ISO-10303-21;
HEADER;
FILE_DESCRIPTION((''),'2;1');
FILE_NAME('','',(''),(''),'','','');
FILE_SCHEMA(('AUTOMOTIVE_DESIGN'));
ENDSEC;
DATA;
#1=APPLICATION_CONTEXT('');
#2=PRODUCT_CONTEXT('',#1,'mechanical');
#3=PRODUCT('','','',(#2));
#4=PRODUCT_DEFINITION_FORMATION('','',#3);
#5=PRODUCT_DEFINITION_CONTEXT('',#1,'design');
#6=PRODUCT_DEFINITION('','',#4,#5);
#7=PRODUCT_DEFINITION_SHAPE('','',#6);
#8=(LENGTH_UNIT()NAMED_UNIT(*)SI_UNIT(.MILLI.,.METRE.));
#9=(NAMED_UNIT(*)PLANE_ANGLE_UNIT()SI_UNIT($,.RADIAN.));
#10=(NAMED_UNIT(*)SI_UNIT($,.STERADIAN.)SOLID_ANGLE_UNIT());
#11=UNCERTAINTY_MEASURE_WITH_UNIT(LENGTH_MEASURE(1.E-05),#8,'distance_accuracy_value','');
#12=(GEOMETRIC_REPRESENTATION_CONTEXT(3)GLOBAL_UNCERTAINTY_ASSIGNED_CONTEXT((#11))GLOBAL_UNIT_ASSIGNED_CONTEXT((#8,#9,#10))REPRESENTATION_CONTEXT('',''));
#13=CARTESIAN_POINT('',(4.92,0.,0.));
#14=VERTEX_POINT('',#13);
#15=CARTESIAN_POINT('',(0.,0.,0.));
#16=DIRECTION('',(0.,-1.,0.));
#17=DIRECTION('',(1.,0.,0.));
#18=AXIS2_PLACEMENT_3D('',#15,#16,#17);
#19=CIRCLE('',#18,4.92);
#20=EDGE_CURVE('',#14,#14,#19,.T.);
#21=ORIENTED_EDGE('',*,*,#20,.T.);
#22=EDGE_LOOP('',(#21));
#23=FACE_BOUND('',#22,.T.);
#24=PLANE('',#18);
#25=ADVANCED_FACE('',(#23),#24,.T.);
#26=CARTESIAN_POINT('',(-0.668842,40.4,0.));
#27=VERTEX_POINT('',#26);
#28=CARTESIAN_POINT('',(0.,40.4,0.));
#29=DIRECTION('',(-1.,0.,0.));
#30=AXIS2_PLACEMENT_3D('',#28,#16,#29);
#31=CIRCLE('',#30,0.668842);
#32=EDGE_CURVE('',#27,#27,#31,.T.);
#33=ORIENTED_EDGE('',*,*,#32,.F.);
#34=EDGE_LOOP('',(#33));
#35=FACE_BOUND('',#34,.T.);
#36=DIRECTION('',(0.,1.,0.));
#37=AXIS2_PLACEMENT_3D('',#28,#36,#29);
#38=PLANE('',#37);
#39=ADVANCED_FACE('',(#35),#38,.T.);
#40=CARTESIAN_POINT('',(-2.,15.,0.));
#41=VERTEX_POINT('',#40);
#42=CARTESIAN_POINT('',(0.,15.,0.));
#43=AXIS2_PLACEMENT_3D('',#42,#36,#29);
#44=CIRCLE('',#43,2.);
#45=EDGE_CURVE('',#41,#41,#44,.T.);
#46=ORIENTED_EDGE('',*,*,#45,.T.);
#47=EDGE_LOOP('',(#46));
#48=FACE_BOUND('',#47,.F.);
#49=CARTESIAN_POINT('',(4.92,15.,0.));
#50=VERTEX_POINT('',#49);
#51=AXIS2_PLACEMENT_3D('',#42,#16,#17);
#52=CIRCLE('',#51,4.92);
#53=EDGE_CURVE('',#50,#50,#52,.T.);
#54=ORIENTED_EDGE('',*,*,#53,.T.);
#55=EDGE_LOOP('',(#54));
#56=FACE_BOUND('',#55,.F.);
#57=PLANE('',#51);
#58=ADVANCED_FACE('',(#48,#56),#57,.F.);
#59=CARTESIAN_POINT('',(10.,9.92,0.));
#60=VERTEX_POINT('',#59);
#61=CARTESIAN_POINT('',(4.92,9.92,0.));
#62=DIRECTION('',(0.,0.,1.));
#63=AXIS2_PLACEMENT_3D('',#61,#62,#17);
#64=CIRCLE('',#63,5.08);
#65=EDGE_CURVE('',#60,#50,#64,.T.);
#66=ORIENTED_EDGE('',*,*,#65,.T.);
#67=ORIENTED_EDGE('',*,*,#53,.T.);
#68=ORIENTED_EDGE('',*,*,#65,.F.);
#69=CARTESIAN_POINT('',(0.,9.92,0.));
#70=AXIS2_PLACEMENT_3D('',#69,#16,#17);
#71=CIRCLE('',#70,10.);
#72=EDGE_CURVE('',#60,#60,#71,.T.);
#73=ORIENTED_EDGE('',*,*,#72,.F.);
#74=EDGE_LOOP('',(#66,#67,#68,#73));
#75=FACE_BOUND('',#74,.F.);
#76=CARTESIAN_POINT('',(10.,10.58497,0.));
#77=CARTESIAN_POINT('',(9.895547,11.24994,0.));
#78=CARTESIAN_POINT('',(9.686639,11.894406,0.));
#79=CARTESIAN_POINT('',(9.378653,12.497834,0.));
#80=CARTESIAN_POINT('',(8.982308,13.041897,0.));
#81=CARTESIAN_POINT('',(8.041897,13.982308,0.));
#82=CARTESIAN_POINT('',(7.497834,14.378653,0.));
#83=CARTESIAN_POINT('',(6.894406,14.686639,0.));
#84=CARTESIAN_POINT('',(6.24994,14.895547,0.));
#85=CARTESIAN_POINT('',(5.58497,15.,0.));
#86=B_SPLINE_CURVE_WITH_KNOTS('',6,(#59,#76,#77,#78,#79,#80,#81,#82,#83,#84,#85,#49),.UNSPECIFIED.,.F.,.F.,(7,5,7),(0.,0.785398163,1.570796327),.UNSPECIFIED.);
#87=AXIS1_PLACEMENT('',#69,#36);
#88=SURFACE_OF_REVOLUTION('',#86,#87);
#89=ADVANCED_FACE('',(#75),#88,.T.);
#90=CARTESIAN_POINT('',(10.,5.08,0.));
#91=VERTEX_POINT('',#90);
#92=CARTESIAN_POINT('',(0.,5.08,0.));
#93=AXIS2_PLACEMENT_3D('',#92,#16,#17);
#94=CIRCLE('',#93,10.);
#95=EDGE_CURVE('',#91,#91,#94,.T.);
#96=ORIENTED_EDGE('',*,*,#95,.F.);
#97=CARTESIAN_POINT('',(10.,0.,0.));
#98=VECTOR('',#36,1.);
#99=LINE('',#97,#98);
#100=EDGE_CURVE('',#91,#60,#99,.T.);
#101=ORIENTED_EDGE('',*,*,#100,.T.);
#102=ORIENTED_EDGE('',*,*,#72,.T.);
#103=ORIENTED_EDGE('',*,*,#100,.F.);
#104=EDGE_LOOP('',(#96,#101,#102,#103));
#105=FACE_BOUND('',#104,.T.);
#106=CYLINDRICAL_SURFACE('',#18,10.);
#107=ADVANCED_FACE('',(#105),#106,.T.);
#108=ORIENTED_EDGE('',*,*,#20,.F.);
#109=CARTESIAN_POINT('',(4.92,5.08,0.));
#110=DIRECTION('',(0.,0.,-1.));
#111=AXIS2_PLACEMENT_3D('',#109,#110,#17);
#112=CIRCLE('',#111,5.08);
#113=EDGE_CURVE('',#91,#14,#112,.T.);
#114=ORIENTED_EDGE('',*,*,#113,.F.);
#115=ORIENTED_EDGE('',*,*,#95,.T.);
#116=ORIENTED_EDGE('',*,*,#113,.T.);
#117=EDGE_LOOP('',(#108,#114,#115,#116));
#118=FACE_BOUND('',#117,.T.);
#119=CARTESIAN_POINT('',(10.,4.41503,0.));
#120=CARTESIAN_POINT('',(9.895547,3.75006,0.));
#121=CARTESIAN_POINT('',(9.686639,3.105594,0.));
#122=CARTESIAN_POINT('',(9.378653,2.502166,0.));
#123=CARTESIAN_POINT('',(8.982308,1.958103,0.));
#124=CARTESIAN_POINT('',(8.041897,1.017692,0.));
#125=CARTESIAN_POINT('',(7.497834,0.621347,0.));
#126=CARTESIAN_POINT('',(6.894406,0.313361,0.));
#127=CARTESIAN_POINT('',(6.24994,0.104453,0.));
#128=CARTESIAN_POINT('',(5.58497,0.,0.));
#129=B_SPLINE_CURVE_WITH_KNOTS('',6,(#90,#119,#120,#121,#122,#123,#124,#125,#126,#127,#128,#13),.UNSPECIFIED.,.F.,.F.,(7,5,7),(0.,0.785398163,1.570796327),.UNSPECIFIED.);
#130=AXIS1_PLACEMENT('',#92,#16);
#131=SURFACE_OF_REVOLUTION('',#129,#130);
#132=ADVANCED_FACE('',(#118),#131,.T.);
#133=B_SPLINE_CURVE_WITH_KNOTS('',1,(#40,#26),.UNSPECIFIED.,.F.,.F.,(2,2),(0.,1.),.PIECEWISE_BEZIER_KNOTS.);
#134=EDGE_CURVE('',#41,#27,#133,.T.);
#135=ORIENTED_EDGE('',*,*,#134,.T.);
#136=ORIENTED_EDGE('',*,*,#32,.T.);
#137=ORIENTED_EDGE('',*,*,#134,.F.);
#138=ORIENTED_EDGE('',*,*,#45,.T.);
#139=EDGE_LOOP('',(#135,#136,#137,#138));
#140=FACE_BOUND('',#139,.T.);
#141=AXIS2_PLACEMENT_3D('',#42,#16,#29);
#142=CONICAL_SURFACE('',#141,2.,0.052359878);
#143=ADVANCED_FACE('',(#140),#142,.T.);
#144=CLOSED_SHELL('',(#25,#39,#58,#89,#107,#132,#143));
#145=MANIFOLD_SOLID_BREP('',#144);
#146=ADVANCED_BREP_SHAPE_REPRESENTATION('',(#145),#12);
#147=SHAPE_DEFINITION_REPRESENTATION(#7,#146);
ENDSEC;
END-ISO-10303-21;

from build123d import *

# Parameters (mm, degrees)
F0_R     = 10
F1_DEPTH = 15
F2_R     = 5.08
F3_R     = 2
F4_DEPTH = 25.4
F4_TAPER = 3


with BuildPart() as f1:
    # F0 (on Front) → F1 (new body)
    with BuildSketch(Plane.XZ):
        Circle(F0_R)
    extrude(amount=-F1_DEPTH)

    # F2
    f2_edges = [f1.edges().sort_by_distance(p)[0] for p in [
        (-10, 0, 0),
        (-10, 15, 0),
    ]]
    fillet(f2_edges, radius=F2_R)

    # F3 (on face) → F4 (join)
    with BuildSketch(Plane(origin=(0, 15, 0), x_dir=(-1, 0, 0), z_dir=(0, 1, 0))):
        Circle(F3_R)
    extrude(amount=F4_DEPTH, taper=F4_TAPER)


solid = f1.part
